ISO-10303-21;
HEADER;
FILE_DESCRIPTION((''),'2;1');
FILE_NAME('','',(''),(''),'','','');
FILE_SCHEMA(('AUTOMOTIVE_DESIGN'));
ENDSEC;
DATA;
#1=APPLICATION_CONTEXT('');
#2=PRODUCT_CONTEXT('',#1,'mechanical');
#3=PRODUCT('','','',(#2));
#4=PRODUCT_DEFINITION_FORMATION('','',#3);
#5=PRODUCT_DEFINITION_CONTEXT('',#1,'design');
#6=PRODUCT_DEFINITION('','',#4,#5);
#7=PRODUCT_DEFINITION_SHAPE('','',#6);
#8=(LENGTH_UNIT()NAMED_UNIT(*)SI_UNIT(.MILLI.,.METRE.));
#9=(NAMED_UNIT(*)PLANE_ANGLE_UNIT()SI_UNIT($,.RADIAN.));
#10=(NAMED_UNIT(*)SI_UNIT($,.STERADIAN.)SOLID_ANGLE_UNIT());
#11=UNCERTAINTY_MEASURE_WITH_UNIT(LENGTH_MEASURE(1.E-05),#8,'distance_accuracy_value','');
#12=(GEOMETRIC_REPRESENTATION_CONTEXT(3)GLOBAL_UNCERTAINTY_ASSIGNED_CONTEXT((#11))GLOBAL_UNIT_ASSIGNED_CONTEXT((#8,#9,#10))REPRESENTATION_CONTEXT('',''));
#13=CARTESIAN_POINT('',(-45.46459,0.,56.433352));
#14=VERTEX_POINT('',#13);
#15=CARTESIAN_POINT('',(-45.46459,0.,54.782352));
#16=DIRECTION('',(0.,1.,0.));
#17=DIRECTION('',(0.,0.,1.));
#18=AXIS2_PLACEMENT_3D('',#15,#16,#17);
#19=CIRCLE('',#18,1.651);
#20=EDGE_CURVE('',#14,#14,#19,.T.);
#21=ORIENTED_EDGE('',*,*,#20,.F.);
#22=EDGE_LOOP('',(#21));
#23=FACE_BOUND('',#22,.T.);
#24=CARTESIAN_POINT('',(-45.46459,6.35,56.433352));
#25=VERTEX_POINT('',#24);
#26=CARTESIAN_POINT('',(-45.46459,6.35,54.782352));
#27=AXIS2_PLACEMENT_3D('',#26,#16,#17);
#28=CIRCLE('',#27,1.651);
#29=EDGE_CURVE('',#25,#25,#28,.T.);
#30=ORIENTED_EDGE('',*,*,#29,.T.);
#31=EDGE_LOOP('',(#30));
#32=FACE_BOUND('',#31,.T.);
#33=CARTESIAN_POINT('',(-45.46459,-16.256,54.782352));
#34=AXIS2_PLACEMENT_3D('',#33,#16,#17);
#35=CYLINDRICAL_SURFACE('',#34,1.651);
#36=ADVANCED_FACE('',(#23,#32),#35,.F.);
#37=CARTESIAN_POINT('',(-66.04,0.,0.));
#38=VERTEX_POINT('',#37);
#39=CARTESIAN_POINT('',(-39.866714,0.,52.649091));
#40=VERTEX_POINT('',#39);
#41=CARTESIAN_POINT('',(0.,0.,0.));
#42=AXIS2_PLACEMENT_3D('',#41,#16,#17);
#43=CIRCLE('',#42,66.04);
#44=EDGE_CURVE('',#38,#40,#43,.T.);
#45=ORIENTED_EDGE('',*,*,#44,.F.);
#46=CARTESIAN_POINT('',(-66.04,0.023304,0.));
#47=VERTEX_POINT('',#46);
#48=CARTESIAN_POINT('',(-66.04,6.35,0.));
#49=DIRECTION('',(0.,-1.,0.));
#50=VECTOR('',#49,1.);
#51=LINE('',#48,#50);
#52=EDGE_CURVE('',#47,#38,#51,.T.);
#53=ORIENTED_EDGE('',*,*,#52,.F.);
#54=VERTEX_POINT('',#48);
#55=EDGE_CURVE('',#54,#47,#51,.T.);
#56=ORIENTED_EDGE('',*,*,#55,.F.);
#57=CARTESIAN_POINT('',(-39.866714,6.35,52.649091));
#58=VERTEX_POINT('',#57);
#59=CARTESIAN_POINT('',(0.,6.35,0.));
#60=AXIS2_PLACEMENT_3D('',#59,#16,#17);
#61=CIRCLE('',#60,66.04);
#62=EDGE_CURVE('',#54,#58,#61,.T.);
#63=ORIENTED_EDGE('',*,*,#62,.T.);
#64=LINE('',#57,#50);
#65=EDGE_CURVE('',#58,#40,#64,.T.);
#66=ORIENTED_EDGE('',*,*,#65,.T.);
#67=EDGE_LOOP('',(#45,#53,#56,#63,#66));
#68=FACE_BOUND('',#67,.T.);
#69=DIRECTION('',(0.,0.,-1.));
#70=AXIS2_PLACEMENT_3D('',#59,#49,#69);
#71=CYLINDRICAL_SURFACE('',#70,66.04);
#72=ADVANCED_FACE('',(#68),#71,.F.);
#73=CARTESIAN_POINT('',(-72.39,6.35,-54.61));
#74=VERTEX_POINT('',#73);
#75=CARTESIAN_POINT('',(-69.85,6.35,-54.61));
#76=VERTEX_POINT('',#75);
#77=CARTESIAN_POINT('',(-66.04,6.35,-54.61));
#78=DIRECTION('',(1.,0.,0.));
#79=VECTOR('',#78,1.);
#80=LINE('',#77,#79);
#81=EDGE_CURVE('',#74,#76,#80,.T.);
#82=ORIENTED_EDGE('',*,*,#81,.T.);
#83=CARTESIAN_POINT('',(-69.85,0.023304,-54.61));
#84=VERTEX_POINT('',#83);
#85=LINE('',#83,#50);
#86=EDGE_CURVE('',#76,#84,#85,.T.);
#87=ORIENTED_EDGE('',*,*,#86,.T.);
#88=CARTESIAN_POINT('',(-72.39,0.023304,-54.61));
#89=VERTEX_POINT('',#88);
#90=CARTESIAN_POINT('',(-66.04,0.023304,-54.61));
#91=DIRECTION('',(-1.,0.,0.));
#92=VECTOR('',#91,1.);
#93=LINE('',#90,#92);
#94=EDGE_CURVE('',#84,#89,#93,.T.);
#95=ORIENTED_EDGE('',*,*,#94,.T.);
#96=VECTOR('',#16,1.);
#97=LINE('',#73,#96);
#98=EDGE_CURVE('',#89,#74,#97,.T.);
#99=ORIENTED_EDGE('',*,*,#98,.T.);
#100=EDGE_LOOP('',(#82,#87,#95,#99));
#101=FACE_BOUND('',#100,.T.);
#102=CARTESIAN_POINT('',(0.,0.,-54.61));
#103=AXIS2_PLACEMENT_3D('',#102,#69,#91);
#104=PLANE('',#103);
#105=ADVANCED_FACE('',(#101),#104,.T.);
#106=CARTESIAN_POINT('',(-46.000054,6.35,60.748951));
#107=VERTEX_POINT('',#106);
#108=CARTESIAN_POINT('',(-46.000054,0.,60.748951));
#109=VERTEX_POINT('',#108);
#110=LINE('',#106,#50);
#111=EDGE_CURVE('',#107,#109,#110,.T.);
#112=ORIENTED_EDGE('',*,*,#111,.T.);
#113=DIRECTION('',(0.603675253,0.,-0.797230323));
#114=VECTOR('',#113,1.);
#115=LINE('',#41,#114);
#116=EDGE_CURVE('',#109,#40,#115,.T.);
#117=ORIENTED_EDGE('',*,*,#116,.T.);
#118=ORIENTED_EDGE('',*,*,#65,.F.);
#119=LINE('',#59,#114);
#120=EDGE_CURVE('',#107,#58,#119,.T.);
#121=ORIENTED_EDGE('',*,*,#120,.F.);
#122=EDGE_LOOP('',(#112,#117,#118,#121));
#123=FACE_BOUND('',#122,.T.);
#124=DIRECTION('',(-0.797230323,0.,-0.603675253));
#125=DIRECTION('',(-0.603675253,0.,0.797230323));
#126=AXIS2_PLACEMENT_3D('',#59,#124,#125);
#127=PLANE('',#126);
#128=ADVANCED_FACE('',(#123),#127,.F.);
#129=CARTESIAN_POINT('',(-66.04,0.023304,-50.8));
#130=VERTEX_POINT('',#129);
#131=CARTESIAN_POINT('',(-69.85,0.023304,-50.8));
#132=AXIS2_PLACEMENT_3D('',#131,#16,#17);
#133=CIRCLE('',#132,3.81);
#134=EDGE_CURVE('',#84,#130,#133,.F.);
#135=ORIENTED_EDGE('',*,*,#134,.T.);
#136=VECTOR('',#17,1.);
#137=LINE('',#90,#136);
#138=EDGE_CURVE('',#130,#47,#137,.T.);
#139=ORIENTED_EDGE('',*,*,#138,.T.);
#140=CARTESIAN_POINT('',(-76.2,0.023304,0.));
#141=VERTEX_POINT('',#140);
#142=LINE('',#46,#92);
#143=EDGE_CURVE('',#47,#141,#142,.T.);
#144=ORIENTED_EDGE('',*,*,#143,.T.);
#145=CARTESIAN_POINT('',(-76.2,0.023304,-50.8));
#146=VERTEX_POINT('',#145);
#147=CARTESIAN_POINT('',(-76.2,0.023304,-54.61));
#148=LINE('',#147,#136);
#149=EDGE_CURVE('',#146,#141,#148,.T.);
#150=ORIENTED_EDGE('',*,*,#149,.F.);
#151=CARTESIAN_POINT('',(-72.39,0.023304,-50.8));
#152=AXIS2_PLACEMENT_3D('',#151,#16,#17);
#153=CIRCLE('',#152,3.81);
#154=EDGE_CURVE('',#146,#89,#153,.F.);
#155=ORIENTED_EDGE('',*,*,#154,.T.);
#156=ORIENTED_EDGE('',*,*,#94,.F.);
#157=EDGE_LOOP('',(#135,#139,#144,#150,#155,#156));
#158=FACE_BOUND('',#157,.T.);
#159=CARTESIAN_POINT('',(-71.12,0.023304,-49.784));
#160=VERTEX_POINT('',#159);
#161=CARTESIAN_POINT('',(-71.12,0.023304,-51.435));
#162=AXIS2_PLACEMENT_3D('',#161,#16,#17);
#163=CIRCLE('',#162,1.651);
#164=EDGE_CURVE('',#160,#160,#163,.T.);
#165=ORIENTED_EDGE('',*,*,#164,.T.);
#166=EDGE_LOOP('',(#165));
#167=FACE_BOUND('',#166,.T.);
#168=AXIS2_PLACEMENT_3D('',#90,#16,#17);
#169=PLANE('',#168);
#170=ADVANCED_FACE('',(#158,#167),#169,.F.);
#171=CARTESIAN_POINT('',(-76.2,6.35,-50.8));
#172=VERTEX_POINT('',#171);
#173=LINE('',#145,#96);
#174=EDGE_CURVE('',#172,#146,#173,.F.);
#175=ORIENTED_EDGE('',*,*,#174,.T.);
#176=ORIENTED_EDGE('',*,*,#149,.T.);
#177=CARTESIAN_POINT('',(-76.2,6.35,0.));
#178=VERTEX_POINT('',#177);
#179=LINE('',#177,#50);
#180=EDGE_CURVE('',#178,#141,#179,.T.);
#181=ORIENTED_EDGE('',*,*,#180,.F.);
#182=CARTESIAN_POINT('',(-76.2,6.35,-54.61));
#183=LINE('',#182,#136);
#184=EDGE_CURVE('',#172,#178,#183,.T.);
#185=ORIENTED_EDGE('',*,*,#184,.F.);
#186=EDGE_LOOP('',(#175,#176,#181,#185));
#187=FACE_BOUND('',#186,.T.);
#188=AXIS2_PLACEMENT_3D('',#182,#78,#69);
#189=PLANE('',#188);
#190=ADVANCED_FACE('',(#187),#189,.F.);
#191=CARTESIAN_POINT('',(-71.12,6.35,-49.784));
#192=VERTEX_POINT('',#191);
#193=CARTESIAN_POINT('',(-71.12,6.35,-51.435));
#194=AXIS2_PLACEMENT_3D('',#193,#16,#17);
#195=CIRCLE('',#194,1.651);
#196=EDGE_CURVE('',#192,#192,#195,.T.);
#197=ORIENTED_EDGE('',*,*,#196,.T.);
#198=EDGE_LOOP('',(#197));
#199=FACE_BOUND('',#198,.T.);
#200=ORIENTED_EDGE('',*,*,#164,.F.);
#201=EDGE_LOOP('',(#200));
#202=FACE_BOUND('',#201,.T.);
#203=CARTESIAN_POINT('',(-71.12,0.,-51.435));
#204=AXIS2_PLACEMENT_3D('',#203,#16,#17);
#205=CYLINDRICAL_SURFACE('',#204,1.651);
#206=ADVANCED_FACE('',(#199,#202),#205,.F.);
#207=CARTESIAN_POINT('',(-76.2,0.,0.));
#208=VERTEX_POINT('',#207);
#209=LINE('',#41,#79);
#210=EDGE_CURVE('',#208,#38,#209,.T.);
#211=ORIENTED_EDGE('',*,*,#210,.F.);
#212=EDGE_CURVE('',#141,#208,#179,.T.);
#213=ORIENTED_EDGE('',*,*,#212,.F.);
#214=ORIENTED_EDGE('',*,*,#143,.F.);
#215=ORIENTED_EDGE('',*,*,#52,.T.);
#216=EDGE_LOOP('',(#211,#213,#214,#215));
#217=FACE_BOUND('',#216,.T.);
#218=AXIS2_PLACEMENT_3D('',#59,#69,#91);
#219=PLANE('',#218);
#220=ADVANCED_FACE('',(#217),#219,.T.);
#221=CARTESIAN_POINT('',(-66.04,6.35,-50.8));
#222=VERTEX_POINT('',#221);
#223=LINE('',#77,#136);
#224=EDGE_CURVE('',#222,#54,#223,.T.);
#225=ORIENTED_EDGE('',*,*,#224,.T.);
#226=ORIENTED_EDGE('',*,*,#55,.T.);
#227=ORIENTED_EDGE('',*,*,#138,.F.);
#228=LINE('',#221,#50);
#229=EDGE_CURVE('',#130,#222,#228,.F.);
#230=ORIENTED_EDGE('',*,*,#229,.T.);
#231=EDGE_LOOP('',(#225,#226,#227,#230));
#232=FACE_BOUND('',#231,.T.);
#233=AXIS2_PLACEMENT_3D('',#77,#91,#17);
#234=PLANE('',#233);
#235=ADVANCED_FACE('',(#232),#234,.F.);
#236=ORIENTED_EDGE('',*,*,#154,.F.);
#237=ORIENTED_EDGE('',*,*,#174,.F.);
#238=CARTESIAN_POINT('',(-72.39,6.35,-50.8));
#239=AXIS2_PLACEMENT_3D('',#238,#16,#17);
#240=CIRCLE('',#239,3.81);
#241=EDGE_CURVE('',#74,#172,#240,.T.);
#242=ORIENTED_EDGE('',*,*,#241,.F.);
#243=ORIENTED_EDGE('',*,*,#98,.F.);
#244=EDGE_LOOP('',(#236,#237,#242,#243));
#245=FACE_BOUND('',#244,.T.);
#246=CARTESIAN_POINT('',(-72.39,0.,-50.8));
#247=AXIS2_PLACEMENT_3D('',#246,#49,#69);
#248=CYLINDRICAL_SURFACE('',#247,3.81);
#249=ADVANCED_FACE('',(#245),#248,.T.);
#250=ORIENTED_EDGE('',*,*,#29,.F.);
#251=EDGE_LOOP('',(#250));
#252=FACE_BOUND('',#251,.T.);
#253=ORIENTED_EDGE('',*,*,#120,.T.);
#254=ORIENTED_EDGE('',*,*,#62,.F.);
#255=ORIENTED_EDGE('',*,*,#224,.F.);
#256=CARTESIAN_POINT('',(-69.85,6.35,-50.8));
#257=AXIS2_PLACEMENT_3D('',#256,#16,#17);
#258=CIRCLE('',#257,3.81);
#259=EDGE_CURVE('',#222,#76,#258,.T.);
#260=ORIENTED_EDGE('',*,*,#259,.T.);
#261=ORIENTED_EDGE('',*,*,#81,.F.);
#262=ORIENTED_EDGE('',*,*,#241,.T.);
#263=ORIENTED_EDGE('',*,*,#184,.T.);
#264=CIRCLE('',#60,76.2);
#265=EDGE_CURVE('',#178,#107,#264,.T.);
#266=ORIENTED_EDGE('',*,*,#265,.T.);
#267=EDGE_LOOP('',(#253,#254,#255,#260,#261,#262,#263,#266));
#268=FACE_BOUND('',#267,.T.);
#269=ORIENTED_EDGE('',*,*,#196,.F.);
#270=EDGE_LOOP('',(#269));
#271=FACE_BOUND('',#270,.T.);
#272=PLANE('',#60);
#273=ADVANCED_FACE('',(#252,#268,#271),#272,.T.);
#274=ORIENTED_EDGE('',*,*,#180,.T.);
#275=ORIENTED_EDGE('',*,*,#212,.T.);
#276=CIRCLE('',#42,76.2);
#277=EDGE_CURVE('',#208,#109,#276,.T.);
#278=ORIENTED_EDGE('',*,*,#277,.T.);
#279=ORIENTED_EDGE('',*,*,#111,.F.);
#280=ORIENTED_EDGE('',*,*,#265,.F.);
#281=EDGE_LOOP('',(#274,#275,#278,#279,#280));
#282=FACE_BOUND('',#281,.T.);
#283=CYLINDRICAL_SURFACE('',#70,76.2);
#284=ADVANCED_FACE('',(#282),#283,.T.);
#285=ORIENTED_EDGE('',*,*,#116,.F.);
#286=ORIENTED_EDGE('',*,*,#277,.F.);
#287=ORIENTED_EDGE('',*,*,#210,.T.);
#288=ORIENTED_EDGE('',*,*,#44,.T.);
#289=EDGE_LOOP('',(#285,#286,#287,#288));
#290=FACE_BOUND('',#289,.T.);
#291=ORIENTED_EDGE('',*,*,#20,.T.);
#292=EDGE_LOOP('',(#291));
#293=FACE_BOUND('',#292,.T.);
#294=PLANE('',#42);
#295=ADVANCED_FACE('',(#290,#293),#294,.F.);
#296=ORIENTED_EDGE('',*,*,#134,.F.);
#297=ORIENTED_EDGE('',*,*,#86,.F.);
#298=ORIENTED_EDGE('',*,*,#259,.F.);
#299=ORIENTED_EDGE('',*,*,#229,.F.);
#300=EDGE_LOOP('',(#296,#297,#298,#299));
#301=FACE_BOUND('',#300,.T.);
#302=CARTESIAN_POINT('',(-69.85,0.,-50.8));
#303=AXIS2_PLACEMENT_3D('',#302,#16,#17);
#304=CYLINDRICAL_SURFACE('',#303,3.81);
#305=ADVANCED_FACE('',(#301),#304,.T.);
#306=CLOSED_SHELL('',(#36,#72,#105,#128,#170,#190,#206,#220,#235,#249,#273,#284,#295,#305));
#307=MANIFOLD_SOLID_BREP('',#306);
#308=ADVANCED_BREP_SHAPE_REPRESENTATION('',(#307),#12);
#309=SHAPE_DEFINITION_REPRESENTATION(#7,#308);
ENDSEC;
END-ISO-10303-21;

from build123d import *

# Parameters (mm, degrees)
BOSS_EXTRUDE1_DEPTH = 6.35
SKETCH2_W           = 10.16
SKETCH2_H           = 6.326695662
BOSS_EXTRUDE2_DEPTH = 54.61
SKETCH3_R           = 1.651
CUT_EXTRUDE1_DEPTH  = 6.35
SKETCH4_R           = 1.651
CUT_EXTRUDE2_DEPTH  = 22.606
FILLET1_R           = 3.81


with BuildPart() as part:
    # Sketch1 → Boss-Extrude1 (new body)
    with BuildSketch(Plane(origin=(0, 0, 0), x_dir=(1, 0, 0), z_dir=(0, 1, 0))):
        with BuildLine():
            Line((-66.04, 0), (-76.2, 0))
            ThreePointArc((-76.2, 0), (-68.233584612, -33.920759587), (-46.000054305, -60.748950641))
            Line((-46.000054305, -60.748950641), (-39.866713731, -52.649090555))
            ThreePointArc((-39.866713731, -52.649090555), (-59.135773331, -29.397991642), (-66.04, 0))
        make_face()
    extrude(amount=BOSS_EXTRUDE1_DEPTH)

    # Sketch2 → Boss-Extrude2 (add)
    with BuildSketch(Plane(origin=(0, 0, 0), x_dir=(-1, 0, 0), z_dir=(0, 0, -1))):
        with Locations((71.12, 3.186652169)):
            Rectangle(SKETCH2_W, SKETCH2_H)
    extrude(amount=BOSS_EXTRUDE2_DEPTH)

    # Sketch3 → Cut-Extrude1 (cut)
    with BuildSketch(Plane(origin=(0, 6.35, 0), x_dir=(1, 0, 0), z_dir=(0, 1, 0))):
        with Locations(Location((-71.12, 51.435, 0), (0, 0, 270))):
            Circle(SKETCH3_R)
    extrude(amount=-CUT_EXTRUDE1_DEPTH, mode=Mode.SUBTRACT)

    # Sketch4 → Cut-Extrude2 (cut)
    with BuildSketch(Plane(origin=(0, 6.35, 0), x_dir=(1, 0, 0), z_dir=(0, 1, 0))):
        with Locations(Location((-45.464590295, -54.782351668, 0), (0, 0, 270))):
            Circle(SKETCH4_R)
    extrude(amount=-CUT_EXTRUDE2_DEPTH, mode=Mode.SUBTRACT)

    # Fillet1
    fillet1_edges = [part.edges().sort_by_distance(p)[0] for p in [
        (-66.04, 3.186652169, -54.61),
        (-76.2, 3.186652169, -54.61),
    ]]
    fillet(fillet1_edges, radius=FILLET1_R)


solid = part.part
